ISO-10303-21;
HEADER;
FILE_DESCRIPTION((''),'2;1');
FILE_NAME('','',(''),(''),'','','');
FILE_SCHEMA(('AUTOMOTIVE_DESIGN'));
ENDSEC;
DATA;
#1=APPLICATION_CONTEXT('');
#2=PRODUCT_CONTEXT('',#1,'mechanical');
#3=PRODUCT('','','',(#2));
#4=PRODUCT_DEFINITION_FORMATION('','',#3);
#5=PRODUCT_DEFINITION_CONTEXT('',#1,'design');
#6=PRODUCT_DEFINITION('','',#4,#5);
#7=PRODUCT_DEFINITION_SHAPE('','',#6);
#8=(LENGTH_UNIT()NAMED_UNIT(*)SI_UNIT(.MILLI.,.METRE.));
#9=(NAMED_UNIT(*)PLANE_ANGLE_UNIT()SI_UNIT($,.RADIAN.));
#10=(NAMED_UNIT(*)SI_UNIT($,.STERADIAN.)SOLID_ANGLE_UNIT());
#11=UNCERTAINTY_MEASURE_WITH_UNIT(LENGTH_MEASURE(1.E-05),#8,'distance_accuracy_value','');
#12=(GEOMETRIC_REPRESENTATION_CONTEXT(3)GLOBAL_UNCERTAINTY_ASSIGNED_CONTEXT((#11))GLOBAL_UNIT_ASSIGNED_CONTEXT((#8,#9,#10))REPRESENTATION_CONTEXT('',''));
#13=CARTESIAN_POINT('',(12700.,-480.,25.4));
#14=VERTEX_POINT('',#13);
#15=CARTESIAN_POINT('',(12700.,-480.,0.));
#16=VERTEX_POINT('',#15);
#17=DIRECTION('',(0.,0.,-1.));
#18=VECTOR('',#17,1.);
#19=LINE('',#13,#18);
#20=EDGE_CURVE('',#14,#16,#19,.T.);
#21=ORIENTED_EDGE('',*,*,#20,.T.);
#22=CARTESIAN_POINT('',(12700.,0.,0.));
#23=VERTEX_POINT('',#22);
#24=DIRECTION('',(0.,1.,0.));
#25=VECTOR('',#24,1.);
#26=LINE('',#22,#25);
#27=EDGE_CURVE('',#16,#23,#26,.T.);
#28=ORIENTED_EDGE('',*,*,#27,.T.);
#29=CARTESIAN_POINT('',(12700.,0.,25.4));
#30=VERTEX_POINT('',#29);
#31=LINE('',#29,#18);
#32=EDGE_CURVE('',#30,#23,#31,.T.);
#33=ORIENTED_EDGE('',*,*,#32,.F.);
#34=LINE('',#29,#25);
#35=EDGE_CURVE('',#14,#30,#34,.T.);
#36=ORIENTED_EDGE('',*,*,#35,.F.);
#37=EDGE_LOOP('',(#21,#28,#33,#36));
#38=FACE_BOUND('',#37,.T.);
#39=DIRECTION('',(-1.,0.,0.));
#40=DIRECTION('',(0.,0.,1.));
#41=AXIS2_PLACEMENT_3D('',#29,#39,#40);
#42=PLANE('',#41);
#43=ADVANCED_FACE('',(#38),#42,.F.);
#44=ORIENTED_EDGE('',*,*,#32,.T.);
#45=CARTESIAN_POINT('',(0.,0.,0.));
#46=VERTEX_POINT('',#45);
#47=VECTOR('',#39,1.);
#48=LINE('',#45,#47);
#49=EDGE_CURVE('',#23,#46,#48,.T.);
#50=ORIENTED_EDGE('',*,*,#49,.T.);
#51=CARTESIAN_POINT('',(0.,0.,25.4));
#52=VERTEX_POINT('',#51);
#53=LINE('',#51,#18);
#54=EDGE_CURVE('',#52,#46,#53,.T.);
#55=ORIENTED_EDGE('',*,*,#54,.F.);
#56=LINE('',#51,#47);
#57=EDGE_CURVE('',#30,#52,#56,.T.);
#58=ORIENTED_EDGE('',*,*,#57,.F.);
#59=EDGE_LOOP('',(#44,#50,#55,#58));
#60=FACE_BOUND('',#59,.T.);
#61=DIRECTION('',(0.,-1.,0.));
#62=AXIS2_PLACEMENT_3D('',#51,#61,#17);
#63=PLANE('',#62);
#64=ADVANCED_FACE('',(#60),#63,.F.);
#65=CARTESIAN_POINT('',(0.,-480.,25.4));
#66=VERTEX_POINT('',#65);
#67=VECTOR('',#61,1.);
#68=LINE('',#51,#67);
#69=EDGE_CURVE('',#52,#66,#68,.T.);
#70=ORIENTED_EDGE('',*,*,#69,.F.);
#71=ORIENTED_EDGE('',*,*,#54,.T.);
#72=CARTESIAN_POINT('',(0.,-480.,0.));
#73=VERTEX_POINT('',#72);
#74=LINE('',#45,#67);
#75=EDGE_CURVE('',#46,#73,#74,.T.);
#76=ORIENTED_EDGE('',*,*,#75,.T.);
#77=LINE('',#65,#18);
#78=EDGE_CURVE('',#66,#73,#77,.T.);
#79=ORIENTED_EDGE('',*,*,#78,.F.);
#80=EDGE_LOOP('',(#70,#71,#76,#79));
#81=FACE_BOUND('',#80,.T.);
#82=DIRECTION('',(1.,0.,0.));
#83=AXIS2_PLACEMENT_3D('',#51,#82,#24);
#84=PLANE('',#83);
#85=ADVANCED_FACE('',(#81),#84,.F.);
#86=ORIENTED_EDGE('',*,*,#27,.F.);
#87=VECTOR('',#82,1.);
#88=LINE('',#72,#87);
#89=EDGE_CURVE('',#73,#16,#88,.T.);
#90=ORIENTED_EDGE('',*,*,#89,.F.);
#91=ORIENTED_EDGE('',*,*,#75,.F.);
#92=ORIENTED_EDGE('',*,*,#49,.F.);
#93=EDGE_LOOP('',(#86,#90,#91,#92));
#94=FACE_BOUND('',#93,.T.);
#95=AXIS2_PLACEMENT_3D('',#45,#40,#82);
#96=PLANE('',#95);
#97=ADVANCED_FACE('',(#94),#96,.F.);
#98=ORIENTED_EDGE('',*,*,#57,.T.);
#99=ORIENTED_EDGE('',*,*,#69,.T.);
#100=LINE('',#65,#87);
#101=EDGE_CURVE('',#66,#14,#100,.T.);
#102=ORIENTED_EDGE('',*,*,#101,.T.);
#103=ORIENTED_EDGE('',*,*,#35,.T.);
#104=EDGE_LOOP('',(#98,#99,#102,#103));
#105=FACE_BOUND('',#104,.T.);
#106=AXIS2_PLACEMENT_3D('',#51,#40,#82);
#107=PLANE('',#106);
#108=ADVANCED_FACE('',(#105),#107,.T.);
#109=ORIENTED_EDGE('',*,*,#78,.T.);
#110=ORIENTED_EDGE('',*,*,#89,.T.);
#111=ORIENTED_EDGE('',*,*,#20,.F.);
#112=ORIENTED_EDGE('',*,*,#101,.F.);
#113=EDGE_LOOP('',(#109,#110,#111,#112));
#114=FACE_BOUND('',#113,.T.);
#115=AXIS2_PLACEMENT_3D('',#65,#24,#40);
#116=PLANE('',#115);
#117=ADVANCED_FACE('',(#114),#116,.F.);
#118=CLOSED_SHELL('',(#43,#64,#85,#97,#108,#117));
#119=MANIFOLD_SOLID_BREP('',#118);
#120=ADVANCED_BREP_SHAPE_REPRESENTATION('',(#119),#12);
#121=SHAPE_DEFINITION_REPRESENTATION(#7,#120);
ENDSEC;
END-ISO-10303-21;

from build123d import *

# Parameters (mm, degrees)
SKETCH1_W           = 12700
SKETCH1_H           = 480
BOSS_EXTRUDE1_DEPTH = 25.4


with BuildPart() as part:
    # Sketch1 → Boss-Extrude1 (new body)
    with BuildSketch(Plane.XY):
        with Locations((6350, -240)):
            Rectangle(SKETCH1_W, SKETCH1_H)
    extrude(amount=BOSS_EXTRUDE1_DEPTH)


solid = part.part
